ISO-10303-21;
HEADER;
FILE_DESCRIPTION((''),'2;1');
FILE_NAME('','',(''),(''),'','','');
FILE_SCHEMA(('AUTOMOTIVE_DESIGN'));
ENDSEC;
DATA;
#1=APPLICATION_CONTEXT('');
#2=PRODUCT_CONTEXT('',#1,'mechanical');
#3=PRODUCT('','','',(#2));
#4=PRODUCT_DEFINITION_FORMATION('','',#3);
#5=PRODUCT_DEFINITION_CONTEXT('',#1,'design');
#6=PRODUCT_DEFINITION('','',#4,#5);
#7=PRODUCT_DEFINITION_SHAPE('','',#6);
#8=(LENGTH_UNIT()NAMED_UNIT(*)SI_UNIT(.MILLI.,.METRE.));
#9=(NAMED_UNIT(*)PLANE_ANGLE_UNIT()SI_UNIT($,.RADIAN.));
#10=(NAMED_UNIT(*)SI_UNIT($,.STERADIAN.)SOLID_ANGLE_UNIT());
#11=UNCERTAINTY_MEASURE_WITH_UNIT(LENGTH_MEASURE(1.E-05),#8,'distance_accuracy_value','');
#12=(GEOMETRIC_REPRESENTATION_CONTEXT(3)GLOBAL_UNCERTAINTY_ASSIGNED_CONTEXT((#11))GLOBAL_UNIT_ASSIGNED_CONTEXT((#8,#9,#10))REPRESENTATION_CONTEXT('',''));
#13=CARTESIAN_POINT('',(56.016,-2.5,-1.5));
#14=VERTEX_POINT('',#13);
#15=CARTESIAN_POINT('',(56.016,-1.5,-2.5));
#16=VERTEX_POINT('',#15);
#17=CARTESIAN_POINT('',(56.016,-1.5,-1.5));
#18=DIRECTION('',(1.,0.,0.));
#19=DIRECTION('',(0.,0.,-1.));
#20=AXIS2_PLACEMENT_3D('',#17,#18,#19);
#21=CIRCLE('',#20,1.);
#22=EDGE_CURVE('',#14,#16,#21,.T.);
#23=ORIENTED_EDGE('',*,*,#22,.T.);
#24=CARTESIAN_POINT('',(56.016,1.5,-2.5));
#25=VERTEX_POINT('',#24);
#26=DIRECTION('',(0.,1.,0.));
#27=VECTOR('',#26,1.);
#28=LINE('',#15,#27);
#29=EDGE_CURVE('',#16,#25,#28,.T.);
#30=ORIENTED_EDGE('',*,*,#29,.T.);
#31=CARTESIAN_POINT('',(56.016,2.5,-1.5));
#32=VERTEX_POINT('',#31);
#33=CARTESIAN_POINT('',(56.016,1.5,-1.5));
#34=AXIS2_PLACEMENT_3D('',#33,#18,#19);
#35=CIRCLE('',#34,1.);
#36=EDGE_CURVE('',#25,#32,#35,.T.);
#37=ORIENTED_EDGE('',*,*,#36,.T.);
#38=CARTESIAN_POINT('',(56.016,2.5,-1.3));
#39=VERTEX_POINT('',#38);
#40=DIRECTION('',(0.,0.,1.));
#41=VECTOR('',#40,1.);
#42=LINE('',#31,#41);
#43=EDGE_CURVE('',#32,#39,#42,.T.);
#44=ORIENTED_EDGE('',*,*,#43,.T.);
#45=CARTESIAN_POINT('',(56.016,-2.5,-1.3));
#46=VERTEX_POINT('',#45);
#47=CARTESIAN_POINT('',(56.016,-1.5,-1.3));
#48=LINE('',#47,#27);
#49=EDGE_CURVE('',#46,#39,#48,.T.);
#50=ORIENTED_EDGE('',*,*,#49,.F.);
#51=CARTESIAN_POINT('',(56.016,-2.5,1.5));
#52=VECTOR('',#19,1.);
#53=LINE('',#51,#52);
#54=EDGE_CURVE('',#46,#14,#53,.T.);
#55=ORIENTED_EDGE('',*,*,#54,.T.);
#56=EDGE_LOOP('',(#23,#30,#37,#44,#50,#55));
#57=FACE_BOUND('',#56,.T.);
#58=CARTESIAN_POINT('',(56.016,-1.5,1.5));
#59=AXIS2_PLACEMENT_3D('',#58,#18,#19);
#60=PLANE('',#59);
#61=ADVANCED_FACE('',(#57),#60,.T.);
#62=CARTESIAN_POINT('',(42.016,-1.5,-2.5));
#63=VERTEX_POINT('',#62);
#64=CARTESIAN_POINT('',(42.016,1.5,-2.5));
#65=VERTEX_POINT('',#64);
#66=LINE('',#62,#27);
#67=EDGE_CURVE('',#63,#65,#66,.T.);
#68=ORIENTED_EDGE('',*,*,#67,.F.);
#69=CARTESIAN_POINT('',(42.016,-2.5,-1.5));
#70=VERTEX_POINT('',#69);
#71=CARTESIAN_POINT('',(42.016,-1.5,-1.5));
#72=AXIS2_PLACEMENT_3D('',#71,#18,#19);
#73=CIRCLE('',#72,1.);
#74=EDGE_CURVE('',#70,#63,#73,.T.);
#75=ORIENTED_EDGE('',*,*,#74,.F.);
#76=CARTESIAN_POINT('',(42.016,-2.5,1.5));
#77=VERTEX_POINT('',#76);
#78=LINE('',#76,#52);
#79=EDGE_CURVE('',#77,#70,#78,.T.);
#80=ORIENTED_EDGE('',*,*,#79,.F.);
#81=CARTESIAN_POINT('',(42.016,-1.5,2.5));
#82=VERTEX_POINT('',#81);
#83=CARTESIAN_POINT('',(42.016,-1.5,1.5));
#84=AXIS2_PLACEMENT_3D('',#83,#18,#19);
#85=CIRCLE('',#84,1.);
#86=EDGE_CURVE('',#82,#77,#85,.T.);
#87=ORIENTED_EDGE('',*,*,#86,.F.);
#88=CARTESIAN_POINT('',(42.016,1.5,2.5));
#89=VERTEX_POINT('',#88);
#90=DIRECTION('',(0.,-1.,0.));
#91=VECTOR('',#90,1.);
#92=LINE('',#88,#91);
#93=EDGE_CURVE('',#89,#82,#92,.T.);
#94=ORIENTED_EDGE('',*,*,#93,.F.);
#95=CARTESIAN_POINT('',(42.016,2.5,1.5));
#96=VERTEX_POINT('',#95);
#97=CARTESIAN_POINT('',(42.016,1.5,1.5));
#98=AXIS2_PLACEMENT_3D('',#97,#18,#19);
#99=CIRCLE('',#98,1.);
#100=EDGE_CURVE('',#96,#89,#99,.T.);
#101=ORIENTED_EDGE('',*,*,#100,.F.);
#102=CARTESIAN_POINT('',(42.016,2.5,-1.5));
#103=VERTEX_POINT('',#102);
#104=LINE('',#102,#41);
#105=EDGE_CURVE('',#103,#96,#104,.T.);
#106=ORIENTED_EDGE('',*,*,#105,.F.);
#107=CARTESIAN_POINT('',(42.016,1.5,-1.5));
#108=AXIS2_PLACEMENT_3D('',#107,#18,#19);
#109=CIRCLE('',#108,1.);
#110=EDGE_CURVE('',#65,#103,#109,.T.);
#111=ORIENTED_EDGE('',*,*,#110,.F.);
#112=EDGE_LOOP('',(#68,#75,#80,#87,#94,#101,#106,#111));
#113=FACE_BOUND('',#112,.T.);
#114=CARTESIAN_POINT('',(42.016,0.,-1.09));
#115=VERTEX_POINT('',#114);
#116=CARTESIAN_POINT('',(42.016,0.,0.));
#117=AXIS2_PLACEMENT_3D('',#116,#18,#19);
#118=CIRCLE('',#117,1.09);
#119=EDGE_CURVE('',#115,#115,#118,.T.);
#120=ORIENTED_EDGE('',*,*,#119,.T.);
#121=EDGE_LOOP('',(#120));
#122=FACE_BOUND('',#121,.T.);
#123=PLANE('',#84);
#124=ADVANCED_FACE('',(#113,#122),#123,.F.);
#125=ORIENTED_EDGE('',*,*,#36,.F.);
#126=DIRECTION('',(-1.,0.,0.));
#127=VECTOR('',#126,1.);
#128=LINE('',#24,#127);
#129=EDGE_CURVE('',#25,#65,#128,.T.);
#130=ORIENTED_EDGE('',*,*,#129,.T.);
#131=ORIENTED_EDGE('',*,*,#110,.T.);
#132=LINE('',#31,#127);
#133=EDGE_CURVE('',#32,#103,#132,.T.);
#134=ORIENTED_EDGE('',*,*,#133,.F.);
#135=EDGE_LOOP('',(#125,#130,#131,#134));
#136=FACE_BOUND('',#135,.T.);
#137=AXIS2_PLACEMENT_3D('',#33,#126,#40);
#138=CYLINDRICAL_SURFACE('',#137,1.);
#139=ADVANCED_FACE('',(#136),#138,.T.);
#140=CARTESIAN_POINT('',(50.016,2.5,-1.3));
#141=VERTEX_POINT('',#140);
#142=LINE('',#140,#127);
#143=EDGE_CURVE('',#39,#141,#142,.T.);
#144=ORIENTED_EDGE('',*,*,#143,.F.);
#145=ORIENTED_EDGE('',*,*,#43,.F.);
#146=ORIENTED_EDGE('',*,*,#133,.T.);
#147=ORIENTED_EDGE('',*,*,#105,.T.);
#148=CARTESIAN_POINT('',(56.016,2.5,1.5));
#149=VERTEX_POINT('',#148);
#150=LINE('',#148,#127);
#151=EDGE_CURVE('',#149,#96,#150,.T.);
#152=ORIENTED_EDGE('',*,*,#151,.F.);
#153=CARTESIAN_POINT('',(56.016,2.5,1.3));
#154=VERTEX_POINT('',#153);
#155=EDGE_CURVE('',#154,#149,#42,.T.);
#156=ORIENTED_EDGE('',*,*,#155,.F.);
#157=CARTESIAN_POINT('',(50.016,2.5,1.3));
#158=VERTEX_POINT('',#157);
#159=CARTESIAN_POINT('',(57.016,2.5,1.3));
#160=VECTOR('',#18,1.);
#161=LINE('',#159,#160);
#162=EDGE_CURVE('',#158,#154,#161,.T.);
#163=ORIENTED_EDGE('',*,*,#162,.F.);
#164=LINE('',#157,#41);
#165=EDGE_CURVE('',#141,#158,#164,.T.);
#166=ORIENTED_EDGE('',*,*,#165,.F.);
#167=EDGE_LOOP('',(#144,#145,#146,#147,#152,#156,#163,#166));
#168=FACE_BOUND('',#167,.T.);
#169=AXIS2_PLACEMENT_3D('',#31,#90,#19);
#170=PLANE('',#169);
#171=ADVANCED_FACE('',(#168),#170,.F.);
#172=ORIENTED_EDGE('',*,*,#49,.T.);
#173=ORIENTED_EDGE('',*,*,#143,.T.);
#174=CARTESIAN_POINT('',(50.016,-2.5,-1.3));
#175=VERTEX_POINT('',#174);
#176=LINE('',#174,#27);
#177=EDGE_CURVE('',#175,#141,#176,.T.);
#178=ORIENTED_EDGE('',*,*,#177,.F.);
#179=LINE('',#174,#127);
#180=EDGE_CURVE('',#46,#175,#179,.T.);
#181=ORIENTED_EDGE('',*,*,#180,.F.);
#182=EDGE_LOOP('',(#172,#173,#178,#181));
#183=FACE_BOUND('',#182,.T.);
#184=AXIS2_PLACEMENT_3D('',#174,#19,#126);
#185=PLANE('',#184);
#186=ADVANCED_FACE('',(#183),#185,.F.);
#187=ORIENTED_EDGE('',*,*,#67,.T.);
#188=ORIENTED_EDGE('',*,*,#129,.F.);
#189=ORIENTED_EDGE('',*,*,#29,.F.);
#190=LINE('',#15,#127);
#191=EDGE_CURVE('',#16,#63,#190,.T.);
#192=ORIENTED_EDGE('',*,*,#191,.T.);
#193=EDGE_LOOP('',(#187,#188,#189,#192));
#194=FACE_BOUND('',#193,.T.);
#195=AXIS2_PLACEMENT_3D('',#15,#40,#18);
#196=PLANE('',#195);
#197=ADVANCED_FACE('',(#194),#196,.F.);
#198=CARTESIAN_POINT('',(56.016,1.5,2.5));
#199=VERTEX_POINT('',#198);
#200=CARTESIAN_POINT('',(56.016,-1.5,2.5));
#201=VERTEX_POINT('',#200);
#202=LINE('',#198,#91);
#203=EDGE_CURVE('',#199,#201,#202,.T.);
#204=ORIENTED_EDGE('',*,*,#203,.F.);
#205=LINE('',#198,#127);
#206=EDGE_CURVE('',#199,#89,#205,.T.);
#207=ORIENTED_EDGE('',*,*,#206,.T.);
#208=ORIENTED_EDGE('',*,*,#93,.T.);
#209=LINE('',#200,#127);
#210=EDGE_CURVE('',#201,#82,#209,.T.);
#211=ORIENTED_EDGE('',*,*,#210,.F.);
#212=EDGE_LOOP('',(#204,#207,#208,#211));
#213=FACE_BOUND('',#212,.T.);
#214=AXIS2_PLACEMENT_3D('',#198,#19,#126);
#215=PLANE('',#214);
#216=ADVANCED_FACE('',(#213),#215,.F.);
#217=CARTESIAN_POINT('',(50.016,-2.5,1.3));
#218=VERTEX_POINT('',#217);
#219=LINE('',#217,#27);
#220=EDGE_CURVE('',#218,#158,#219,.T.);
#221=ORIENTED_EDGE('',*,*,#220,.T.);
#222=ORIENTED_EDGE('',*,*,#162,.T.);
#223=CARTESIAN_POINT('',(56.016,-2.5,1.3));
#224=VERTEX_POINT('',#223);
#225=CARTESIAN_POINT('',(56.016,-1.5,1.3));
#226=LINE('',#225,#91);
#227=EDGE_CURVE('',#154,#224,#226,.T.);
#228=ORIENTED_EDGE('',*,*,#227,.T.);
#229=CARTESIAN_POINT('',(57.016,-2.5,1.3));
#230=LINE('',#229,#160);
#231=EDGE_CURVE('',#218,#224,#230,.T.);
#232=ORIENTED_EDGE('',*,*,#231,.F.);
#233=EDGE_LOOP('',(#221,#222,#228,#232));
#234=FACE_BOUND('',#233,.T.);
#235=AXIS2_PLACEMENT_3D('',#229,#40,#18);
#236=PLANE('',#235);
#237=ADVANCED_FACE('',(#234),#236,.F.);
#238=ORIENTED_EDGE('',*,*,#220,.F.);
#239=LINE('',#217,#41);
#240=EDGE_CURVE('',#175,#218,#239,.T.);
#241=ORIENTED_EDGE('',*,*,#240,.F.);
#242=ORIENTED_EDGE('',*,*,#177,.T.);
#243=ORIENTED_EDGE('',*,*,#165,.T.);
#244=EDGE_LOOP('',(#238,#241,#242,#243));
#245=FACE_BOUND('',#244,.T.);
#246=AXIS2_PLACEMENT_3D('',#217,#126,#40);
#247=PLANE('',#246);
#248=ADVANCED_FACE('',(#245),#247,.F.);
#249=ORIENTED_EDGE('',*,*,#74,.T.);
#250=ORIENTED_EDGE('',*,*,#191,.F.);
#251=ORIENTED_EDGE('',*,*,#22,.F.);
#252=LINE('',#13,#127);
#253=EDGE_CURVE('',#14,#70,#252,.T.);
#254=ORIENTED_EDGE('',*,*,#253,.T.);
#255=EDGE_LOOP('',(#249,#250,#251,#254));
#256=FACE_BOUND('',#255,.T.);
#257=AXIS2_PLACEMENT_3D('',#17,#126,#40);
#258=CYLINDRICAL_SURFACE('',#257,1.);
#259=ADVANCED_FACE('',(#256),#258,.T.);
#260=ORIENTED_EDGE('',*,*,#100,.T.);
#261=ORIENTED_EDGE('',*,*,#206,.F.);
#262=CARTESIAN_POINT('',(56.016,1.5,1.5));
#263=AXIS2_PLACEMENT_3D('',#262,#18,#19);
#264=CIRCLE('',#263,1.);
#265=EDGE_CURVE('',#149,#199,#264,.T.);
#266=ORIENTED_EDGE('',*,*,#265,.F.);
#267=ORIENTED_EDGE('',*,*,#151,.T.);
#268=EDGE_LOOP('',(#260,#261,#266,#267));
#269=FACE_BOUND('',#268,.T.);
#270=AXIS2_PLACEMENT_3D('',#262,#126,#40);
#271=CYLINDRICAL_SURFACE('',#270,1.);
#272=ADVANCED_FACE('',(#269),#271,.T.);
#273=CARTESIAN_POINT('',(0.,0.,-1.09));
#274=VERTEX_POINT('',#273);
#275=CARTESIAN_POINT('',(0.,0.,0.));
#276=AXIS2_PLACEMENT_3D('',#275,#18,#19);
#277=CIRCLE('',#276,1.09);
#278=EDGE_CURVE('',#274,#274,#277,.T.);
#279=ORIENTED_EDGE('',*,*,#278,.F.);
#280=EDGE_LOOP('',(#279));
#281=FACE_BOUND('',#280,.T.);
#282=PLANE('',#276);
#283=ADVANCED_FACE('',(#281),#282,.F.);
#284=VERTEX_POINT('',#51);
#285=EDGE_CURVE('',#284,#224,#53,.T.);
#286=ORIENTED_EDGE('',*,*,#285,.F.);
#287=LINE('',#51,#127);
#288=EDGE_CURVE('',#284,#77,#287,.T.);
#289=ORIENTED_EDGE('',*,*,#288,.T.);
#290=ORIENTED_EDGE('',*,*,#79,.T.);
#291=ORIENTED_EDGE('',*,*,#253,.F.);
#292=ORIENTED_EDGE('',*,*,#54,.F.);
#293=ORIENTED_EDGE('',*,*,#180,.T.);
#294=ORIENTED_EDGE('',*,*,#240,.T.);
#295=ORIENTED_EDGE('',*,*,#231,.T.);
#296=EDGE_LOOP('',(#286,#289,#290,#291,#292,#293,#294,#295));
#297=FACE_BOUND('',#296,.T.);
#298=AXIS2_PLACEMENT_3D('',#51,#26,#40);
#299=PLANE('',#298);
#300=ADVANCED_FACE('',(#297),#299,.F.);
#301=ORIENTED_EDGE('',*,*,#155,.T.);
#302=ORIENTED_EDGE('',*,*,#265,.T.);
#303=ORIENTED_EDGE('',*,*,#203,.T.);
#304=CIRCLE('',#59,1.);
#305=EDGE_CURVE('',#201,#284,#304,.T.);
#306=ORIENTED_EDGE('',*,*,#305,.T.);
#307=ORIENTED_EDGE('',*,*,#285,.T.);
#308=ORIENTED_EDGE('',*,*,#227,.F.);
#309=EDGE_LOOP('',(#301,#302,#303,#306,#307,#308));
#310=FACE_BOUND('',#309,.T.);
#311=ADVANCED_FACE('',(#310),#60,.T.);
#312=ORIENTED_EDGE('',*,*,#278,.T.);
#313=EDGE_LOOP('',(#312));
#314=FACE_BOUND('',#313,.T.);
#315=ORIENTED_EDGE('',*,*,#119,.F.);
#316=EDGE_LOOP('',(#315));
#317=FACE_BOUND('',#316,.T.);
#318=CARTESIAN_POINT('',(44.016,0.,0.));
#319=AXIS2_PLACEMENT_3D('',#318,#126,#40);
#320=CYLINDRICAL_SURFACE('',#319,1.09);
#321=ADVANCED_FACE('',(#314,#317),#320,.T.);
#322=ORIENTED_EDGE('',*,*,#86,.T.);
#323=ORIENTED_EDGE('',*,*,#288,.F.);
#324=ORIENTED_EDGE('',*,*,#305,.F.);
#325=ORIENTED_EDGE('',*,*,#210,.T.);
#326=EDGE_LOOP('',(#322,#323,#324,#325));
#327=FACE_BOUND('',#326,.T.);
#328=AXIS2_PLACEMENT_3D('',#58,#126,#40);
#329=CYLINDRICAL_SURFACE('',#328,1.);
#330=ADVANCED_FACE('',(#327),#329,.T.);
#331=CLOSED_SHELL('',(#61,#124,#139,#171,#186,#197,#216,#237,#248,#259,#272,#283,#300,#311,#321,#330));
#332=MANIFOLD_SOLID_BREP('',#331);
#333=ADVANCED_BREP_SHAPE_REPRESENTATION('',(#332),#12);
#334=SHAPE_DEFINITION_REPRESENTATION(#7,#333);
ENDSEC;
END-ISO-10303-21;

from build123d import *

# Parameters (mm, degrees)
SKETCH1_R               = 1.09
BOSS_EXTRUDE1_DEPTH     = 44.016
BOSS_EXTRUDE2_DEPTH     = 14
CUT_EXTRUDE1_DEPTH      = 57.127464365
CUT_EXTRUDE1_DEPTH_BACK = 57.127464365
SKETCH3_W               = 7
SKETCH3_H               = 2.6


with BuildPart() as part:
    # Sketch1 → Boss-Extrude1 (new body)
    with BuildSketch(Plane(origin=(0, 0, 0), x_dir=(0, 0, -1), z_dir=(1, 0, 0))):
        Circle(SKETCH1_R)
    extrude(amount=BOSS_EXTRUDE1_DEPTH)

    # Sketch2 → Boss-Extrude2 (add)
    with BuildSketch(Plane(origin=(42.016, 0, 0), x_dir=(0, 0, -1), z_dir=(1, 0, 0))):
        with BuildLine():
            Line((-1.5, -2.5), (1.5, -2.5))
            ThreePointArc((1.5, -2.5), (2.207106781, -2.207106781), (2.5, -1.5))
            Line((2.5, -1.5), (2.5, 1.5))
            ThreePointArc((2.5, 1.5), (2.207106781, 2.207106781), (1.5, 2.5))
            Line((1.5, 2.5), (-1.5, 2.5))
            ThreePointArc((-1.5, 2.5), (-2.207106781, 2.207106781), (-2.5, 1.5))
            Line((-2.5, 1.5), (-2.5, -1.5))
            ThreePointArc((-2.5, -1.5), (-2.207106781, -2.207106781), (-1.5, -2.5))
        make_face()
    extrude(amount=BOSS_EXTRUDE2_DEPTH)

    # Sketch3 → Cut-Extrude1 (cut, two sides: drawn at the far end of the back side and taken through both)
    with BuildSketch(Plane(origin=(0, 0, 0), x_dir=(1, 0, 0), z_dir=(0, 1, 0)).offset(-CUT_EXTRUDE1_DEPTH_BACK)):
        with Locations((53.516, 0)):
            Rectangle(SKETCH3_W, SKETCH3_H)
    extrude(amount=CUT_EXTRUDE1_DEPTH + CUT_EXTRUDE1_DEPTH_BACK, mode=Mode.SUBTRACT)


solid = part.part
